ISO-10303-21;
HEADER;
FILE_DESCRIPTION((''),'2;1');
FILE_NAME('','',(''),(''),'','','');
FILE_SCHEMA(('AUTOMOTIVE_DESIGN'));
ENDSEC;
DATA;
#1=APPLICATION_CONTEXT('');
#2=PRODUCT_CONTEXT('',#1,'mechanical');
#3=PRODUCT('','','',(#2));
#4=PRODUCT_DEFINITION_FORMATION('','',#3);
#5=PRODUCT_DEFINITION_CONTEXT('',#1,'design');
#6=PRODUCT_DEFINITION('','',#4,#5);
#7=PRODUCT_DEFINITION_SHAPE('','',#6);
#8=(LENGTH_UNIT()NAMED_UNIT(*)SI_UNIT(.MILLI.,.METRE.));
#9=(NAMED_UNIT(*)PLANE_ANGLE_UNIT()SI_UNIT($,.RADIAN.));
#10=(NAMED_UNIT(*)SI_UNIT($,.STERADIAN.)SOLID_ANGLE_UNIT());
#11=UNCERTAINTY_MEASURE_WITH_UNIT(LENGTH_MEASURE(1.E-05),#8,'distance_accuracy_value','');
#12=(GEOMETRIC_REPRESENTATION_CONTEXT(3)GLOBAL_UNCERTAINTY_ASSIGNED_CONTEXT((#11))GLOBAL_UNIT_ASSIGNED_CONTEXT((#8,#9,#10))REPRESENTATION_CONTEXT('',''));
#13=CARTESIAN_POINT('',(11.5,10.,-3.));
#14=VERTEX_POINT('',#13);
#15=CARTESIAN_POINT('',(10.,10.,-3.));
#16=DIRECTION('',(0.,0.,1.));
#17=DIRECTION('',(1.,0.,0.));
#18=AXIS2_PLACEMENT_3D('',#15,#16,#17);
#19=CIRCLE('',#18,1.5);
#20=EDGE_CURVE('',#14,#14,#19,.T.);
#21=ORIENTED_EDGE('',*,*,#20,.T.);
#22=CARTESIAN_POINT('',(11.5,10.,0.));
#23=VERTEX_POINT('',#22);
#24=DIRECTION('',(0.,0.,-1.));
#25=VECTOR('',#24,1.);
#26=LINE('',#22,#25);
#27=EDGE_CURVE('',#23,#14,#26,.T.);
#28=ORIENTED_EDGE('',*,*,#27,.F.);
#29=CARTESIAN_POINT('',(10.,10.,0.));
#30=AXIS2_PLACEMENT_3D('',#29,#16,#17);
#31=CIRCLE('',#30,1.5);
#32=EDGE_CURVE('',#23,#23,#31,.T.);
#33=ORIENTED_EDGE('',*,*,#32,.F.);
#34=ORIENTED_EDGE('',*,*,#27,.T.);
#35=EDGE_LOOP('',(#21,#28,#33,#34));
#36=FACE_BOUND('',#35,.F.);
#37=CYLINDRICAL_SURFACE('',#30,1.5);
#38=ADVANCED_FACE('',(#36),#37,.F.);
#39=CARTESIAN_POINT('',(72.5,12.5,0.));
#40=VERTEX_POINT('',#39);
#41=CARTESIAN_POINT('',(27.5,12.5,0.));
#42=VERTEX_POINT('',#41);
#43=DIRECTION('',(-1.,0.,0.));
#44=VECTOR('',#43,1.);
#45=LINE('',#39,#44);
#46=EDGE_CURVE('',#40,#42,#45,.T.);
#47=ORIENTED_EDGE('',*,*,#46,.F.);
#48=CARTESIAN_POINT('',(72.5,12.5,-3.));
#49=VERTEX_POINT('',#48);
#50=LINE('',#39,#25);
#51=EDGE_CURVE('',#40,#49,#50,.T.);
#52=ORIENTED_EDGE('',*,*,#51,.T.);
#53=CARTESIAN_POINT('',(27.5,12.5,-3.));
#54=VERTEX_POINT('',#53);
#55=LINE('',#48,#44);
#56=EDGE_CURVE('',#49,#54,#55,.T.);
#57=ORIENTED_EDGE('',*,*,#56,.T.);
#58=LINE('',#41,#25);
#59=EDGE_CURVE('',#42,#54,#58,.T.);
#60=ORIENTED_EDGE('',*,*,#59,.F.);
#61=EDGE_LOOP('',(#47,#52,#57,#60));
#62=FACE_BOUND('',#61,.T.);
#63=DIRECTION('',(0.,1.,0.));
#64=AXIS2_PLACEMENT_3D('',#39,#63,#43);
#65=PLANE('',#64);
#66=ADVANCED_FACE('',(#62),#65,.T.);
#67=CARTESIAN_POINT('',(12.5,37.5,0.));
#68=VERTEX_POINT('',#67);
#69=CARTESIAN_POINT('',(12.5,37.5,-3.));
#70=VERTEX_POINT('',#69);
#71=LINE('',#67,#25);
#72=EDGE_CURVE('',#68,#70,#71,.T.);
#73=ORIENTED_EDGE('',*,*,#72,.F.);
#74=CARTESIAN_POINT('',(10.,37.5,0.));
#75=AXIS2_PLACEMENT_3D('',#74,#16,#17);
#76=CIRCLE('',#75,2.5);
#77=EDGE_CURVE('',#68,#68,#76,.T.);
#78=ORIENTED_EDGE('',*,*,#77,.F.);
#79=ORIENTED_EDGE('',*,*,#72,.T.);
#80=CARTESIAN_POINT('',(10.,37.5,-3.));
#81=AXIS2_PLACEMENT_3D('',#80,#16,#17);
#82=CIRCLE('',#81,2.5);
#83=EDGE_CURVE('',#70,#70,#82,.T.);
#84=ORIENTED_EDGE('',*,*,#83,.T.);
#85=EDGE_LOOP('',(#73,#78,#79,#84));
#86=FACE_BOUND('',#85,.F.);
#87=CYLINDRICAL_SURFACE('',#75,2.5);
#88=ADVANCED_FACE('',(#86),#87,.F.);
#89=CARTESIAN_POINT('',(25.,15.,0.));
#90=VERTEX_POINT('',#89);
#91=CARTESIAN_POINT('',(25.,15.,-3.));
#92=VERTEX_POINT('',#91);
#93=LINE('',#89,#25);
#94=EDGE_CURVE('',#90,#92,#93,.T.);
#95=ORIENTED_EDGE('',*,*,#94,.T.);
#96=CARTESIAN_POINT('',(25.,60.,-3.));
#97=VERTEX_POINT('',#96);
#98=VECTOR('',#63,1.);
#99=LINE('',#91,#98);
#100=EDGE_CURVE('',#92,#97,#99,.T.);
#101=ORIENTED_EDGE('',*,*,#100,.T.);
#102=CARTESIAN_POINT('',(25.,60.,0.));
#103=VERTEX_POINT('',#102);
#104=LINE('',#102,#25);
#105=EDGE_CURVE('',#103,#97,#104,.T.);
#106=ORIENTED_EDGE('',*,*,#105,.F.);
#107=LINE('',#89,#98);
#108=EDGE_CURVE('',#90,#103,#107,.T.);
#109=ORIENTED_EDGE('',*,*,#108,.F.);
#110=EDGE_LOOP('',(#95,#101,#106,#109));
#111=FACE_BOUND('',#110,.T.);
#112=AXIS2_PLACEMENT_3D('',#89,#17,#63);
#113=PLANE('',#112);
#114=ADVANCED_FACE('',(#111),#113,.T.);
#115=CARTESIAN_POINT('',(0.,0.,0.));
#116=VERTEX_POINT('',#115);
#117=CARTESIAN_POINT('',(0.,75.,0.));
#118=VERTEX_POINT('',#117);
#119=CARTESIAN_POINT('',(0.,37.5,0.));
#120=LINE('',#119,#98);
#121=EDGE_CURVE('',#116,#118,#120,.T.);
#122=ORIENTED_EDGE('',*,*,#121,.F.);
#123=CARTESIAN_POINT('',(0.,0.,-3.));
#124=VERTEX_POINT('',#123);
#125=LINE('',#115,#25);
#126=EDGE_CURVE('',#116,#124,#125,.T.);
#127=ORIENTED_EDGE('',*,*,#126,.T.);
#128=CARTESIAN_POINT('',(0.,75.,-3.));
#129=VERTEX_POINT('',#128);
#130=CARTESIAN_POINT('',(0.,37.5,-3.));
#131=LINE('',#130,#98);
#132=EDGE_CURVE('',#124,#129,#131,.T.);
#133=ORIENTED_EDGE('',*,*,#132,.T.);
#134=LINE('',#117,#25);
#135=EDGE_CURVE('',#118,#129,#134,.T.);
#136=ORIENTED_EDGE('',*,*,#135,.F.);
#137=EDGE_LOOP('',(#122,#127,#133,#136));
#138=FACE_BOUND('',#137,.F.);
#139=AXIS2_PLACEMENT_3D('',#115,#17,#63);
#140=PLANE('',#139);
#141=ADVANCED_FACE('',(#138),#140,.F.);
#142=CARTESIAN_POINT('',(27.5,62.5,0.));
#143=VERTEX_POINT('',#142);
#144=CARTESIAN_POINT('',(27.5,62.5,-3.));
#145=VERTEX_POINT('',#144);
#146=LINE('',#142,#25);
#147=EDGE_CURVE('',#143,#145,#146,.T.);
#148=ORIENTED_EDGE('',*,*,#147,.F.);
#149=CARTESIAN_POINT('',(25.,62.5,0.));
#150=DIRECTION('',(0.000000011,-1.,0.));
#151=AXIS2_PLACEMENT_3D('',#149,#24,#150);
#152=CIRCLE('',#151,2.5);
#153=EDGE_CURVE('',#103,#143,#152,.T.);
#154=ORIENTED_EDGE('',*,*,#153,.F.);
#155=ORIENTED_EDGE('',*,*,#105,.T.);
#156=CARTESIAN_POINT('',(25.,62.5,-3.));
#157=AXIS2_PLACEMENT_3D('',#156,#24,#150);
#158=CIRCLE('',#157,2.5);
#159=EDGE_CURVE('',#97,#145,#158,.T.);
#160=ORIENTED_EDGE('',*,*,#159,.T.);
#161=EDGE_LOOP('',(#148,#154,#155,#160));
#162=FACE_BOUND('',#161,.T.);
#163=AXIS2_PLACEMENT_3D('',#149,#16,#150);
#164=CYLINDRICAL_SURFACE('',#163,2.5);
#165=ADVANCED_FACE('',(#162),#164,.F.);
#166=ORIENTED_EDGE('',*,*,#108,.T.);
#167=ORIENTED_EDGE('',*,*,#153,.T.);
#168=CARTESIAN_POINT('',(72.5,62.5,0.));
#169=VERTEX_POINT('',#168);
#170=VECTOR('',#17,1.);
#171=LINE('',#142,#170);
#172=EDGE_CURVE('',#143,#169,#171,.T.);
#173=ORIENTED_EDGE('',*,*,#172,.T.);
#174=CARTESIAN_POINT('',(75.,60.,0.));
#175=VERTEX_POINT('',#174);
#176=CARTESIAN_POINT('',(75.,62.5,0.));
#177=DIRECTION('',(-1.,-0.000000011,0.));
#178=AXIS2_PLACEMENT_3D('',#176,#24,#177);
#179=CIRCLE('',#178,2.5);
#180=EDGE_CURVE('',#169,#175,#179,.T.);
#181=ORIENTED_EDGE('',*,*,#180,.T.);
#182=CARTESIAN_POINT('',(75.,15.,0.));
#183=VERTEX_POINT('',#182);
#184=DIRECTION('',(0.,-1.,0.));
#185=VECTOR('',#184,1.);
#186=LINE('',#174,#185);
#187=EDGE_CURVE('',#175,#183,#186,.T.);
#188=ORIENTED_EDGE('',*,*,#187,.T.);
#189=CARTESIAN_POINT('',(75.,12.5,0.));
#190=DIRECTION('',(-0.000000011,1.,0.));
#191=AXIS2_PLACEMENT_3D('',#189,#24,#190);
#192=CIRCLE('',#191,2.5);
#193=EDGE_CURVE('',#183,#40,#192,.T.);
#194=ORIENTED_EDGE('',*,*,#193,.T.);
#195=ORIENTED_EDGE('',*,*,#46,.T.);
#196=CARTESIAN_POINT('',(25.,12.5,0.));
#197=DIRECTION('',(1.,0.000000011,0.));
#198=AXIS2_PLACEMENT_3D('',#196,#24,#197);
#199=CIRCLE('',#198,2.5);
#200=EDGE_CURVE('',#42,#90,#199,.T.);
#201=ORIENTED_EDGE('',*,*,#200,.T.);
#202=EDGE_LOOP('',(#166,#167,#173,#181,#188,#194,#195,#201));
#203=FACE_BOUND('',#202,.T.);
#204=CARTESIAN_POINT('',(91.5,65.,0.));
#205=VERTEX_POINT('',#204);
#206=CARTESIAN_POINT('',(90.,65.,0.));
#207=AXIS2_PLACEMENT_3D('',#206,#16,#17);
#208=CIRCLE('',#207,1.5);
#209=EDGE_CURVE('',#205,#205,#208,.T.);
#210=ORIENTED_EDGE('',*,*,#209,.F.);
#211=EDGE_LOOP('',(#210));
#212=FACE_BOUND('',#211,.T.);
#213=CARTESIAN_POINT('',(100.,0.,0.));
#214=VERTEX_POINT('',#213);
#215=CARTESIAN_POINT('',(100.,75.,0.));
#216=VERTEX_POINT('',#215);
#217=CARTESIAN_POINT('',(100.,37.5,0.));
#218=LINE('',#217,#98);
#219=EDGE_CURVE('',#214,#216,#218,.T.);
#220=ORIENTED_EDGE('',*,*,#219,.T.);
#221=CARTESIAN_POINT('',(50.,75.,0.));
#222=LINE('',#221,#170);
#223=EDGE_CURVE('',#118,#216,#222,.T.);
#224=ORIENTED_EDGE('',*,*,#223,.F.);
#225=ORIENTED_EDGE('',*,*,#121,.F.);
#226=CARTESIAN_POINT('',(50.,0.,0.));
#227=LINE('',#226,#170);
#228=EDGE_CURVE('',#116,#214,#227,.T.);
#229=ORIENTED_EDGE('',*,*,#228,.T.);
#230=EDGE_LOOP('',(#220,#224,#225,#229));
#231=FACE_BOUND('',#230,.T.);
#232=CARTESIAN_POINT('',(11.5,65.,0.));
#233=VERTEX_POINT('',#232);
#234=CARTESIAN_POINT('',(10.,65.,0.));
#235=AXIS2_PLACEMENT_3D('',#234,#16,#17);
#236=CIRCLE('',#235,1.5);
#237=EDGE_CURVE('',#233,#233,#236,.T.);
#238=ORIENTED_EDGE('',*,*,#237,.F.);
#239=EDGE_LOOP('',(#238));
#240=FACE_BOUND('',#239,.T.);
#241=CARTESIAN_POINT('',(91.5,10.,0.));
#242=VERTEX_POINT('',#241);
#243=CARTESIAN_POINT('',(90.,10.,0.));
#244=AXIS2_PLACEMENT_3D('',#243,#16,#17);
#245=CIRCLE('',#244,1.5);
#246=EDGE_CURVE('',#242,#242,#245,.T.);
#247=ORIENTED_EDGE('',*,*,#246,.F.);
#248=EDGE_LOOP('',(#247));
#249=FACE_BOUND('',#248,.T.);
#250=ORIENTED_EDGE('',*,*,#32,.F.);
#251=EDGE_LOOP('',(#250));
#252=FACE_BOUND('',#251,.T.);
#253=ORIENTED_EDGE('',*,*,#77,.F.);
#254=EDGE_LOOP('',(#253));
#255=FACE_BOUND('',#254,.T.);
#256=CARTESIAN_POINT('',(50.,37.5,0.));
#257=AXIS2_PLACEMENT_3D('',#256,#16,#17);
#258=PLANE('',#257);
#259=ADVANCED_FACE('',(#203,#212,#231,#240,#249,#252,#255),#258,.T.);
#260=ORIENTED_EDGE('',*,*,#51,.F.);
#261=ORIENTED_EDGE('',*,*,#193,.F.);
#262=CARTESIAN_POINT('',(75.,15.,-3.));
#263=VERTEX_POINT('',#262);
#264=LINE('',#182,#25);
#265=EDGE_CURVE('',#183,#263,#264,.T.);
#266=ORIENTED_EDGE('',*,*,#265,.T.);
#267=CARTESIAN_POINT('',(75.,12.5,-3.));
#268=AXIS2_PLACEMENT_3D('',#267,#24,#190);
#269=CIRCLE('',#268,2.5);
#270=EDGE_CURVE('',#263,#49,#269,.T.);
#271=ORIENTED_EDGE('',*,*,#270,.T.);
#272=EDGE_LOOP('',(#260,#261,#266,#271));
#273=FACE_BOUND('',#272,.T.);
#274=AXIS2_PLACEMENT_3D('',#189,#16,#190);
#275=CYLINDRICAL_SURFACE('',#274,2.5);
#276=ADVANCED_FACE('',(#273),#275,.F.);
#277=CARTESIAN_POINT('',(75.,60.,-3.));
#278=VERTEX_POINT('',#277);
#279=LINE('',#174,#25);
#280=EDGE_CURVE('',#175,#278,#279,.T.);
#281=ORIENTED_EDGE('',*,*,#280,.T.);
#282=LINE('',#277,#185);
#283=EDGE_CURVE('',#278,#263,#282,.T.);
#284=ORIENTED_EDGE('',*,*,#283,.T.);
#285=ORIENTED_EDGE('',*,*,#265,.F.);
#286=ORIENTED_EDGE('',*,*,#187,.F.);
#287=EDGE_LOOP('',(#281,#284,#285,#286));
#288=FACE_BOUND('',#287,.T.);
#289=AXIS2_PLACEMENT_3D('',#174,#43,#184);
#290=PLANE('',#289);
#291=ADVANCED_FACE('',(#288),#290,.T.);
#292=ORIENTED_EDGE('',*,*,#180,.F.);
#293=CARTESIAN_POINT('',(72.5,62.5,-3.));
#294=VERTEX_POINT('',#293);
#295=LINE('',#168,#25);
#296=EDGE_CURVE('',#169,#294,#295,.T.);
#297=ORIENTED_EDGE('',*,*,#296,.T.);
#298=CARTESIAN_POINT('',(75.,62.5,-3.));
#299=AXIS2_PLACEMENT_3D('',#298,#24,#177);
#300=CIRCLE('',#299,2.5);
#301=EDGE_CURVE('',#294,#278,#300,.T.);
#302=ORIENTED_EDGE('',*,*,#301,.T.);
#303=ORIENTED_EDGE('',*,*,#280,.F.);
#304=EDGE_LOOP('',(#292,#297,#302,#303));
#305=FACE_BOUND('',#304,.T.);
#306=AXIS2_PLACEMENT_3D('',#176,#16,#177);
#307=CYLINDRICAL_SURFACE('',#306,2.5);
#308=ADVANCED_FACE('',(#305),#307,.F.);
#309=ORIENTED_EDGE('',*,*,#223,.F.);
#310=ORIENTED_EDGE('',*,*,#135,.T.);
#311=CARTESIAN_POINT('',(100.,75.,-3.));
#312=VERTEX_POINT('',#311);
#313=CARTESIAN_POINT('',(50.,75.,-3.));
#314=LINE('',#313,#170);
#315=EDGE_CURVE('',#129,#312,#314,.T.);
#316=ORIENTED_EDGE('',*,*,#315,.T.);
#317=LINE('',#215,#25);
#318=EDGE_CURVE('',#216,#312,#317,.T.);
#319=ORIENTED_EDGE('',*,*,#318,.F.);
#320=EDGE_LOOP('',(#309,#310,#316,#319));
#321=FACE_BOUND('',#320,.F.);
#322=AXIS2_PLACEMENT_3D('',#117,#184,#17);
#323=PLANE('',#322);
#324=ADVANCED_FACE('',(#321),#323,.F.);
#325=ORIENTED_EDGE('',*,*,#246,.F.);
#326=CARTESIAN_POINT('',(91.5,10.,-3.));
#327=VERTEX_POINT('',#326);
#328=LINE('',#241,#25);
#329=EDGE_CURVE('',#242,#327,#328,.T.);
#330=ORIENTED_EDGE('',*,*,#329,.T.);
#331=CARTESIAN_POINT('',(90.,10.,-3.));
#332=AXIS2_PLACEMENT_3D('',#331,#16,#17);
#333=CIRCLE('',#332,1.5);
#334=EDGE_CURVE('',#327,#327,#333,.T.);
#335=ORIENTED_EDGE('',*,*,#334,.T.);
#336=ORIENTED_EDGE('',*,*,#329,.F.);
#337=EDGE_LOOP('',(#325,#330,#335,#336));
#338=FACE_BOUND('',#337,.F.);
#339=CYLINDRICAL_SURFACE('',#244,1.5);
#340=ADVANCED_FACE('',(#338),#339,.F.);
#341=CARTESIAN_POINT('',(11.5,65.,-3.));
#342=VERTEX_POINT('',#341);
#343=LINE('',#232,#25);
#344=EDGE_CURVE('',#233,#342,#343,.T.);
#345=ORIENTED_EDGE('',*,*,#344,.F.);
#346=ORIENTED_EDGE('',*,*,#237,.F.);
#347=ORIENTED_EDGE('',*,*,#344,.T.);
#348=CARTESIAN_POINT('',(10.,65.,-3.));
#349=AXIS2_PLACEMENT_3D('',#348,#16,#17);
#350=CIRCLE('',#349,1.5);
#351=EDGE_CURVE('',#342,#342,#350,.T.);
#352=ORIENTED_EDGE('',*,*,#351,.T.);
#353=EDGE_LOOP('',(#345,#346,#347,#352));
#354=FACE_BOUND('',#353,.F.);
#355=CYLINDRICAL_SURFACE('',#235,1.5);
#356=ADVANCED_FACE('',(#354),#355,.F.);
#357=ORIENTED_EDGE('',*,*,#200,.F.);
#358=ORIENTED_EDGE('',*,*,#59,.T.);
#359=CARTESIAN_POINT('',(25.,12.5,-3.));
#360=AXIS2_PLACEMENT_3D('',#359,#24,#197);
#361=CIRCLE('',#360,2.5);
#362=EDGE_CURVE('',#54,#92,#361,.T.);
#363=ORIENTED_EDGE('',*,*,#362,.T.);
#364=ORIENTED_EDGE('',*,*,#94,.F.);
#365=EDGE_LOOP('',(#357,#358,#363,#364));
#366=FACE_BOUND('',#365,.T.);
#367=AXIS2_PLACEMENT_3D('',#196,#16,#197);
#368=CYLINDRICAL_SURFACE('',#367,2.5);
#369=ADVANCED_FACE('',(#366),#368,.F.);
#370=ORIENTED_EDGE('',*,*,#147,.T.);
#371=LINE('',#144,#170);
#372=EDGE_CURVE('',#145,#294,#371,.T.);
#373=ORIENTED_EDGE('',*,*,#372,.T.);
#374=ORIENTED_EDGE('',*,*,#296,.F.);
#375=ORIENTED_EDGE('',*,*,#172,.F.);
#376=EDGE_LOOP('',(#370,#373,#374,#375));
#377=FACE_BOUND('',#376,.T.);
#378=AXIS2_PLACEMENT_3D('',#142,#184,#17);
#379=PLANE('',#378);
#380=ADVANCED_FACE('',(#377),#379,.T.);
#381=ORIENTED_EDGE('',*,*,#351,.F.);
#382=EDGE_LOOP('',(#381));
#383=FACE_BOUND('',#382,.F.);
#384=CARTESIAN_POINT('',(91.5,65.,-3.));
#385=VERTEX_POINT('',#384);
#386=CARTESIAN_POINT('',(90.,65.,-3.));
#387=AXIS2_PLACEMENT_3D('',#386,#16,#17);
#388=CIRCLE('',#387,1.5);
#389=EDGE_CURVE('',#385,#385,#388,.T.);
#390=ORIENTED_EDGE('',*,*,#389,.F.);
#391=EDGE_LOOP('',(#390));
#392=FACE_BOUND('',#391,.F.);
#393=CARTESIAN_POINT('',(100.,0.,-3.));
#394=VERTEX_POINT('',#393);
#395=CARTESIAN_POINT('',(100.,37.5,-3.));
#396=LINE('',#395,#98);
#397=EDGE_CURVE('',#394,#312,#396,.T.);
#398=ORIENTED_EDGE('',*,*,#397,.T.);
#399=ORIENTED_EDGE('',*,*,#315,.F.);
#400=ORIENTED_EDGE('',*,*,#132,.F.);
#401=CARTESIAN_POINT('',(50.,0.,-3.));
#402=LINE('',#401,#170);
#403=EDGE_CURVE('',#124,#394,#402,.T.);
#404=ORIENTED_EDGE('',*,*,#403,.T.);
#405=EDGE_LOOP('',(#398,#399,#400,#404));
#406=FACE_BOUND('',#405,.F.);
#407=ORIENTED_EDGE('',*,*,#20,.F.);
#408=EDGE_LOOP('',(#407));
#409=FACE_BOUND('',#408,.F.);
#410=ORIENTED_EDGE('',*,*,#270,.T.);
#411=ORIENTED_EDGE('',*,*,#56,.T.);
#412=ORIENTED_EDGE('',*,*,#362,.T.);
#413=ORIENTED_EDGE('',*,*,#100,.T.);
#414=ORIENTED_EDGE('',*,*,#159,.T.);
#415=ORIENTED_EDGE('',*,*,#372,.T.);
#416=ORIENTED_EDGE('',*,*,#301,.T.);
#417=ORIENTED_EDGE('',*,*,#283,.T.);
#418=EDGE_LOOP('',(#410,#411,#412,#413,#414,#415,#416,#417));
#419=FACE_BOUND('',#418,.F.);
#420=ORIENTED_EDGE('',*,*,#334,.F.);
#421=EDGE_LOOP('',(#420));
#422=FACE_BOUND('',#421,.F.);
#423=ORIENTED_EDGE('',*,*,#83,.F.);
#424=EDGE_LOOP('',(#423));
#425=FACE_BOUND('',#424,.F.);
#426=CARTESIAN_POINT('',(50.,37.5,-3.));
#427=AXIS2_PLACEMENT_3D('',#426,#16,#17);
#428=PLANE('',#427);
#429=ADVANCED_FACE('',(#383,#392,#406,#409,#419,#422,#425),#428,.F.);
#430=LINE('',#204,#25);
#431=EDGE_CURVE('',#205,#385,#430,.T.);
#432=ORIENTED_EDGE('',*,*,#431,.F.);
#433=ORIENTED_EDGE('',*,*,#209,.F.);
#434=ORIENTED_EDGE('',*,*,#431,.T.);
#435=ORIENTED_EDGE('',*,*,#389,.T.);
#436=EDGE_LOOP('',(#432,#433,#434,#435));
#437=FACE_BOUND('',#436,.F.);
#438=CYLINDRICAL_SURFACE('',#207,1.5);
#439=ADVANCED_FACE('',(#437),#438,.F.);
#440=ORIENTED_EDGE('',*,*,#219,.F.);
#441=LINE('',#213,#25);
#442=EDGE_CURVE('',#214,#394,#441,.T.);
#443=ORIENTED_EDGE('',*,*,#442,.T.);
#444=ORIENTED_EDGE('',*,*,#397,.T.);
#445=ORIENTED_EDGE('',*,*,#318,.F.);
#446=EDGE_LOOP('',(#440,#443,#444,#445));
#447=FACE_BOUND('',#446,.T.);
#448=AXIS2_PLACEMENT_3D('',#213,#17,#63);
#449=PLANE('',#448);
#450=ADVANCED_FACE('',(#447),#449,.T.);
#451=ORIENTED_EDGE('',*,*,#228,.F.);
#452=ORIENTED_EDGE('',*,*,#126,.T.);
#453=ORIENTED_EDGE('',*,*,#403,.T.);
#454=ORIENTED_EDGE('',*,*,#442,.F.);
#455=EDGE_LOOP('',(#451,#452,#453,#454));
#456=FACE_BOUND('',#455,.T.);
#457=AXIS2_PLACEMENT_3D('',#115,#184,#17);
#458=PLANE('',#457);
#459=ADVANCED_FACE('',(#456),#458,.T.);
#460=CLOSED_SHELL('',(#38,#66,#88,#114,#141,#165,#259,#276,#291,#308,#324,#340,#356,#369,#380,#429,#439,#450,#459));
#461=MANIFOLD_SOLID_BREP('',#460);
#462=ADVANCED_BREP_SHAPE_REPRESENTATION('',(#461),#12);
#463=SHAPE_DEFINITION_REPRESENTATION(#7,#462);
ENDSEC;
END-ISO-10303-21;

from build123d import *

# Parameters (mm, degrees)
F0_W     = 100
F0_H     = 75
F0_R     = 1.5
F0_R_2   = 2.5
F1_DEPTH = 3


with BuildPart() as f1:
    # F0 (on Top) → F1 (new body)
    with BuildSketch(Plane.XY):
        with Locations((50, 37.5)):
            Rectangle(F0_W, F0_H)
        with Locations((10, 10)):
            Circle(F0_R, mode=Mode.SUBTRACT)
        with Locations((90, 10)):
            Circle(F0_R, mode=Mode.SUBTRACT)
        with Locations((10, 37.5)):
            Circle(F0_R_2, mode=Mode.SUBTRACT)
        with Locations((10, 65)):
            Circle(F0_R, mode=Mode.SUBTRACT)
        with BuildLine():
            Line((27.5, 62.5), (72.5, 62.5))
            ThreePointArc((72.5, 62.5), (76.767767, 64.267767), (75, 60))
            Line((75, 60), (75, 15))
            ThreePointArc((75, 15), (76.767767, 10.732233), (72.5, 12.5))
            Line((72.5, 12.5), (27.5, 12.5))
            ThreePointArc((27.5, 12.5), (23.232233, 10.732233), (25, 15))
            Line((25, 15), (25, 60))
            ThreePointArc((25, 60), (23.232233, 64.267767), (27.5, 62.5))
        make_face(mode=Mode.SUBTRACT)
        with Locations((90, 65)):
            Circle(F0_R, mode=Mode.SUBTRACT)
    extrude(amount=-F1_DEPTH)


solid = f1.part
